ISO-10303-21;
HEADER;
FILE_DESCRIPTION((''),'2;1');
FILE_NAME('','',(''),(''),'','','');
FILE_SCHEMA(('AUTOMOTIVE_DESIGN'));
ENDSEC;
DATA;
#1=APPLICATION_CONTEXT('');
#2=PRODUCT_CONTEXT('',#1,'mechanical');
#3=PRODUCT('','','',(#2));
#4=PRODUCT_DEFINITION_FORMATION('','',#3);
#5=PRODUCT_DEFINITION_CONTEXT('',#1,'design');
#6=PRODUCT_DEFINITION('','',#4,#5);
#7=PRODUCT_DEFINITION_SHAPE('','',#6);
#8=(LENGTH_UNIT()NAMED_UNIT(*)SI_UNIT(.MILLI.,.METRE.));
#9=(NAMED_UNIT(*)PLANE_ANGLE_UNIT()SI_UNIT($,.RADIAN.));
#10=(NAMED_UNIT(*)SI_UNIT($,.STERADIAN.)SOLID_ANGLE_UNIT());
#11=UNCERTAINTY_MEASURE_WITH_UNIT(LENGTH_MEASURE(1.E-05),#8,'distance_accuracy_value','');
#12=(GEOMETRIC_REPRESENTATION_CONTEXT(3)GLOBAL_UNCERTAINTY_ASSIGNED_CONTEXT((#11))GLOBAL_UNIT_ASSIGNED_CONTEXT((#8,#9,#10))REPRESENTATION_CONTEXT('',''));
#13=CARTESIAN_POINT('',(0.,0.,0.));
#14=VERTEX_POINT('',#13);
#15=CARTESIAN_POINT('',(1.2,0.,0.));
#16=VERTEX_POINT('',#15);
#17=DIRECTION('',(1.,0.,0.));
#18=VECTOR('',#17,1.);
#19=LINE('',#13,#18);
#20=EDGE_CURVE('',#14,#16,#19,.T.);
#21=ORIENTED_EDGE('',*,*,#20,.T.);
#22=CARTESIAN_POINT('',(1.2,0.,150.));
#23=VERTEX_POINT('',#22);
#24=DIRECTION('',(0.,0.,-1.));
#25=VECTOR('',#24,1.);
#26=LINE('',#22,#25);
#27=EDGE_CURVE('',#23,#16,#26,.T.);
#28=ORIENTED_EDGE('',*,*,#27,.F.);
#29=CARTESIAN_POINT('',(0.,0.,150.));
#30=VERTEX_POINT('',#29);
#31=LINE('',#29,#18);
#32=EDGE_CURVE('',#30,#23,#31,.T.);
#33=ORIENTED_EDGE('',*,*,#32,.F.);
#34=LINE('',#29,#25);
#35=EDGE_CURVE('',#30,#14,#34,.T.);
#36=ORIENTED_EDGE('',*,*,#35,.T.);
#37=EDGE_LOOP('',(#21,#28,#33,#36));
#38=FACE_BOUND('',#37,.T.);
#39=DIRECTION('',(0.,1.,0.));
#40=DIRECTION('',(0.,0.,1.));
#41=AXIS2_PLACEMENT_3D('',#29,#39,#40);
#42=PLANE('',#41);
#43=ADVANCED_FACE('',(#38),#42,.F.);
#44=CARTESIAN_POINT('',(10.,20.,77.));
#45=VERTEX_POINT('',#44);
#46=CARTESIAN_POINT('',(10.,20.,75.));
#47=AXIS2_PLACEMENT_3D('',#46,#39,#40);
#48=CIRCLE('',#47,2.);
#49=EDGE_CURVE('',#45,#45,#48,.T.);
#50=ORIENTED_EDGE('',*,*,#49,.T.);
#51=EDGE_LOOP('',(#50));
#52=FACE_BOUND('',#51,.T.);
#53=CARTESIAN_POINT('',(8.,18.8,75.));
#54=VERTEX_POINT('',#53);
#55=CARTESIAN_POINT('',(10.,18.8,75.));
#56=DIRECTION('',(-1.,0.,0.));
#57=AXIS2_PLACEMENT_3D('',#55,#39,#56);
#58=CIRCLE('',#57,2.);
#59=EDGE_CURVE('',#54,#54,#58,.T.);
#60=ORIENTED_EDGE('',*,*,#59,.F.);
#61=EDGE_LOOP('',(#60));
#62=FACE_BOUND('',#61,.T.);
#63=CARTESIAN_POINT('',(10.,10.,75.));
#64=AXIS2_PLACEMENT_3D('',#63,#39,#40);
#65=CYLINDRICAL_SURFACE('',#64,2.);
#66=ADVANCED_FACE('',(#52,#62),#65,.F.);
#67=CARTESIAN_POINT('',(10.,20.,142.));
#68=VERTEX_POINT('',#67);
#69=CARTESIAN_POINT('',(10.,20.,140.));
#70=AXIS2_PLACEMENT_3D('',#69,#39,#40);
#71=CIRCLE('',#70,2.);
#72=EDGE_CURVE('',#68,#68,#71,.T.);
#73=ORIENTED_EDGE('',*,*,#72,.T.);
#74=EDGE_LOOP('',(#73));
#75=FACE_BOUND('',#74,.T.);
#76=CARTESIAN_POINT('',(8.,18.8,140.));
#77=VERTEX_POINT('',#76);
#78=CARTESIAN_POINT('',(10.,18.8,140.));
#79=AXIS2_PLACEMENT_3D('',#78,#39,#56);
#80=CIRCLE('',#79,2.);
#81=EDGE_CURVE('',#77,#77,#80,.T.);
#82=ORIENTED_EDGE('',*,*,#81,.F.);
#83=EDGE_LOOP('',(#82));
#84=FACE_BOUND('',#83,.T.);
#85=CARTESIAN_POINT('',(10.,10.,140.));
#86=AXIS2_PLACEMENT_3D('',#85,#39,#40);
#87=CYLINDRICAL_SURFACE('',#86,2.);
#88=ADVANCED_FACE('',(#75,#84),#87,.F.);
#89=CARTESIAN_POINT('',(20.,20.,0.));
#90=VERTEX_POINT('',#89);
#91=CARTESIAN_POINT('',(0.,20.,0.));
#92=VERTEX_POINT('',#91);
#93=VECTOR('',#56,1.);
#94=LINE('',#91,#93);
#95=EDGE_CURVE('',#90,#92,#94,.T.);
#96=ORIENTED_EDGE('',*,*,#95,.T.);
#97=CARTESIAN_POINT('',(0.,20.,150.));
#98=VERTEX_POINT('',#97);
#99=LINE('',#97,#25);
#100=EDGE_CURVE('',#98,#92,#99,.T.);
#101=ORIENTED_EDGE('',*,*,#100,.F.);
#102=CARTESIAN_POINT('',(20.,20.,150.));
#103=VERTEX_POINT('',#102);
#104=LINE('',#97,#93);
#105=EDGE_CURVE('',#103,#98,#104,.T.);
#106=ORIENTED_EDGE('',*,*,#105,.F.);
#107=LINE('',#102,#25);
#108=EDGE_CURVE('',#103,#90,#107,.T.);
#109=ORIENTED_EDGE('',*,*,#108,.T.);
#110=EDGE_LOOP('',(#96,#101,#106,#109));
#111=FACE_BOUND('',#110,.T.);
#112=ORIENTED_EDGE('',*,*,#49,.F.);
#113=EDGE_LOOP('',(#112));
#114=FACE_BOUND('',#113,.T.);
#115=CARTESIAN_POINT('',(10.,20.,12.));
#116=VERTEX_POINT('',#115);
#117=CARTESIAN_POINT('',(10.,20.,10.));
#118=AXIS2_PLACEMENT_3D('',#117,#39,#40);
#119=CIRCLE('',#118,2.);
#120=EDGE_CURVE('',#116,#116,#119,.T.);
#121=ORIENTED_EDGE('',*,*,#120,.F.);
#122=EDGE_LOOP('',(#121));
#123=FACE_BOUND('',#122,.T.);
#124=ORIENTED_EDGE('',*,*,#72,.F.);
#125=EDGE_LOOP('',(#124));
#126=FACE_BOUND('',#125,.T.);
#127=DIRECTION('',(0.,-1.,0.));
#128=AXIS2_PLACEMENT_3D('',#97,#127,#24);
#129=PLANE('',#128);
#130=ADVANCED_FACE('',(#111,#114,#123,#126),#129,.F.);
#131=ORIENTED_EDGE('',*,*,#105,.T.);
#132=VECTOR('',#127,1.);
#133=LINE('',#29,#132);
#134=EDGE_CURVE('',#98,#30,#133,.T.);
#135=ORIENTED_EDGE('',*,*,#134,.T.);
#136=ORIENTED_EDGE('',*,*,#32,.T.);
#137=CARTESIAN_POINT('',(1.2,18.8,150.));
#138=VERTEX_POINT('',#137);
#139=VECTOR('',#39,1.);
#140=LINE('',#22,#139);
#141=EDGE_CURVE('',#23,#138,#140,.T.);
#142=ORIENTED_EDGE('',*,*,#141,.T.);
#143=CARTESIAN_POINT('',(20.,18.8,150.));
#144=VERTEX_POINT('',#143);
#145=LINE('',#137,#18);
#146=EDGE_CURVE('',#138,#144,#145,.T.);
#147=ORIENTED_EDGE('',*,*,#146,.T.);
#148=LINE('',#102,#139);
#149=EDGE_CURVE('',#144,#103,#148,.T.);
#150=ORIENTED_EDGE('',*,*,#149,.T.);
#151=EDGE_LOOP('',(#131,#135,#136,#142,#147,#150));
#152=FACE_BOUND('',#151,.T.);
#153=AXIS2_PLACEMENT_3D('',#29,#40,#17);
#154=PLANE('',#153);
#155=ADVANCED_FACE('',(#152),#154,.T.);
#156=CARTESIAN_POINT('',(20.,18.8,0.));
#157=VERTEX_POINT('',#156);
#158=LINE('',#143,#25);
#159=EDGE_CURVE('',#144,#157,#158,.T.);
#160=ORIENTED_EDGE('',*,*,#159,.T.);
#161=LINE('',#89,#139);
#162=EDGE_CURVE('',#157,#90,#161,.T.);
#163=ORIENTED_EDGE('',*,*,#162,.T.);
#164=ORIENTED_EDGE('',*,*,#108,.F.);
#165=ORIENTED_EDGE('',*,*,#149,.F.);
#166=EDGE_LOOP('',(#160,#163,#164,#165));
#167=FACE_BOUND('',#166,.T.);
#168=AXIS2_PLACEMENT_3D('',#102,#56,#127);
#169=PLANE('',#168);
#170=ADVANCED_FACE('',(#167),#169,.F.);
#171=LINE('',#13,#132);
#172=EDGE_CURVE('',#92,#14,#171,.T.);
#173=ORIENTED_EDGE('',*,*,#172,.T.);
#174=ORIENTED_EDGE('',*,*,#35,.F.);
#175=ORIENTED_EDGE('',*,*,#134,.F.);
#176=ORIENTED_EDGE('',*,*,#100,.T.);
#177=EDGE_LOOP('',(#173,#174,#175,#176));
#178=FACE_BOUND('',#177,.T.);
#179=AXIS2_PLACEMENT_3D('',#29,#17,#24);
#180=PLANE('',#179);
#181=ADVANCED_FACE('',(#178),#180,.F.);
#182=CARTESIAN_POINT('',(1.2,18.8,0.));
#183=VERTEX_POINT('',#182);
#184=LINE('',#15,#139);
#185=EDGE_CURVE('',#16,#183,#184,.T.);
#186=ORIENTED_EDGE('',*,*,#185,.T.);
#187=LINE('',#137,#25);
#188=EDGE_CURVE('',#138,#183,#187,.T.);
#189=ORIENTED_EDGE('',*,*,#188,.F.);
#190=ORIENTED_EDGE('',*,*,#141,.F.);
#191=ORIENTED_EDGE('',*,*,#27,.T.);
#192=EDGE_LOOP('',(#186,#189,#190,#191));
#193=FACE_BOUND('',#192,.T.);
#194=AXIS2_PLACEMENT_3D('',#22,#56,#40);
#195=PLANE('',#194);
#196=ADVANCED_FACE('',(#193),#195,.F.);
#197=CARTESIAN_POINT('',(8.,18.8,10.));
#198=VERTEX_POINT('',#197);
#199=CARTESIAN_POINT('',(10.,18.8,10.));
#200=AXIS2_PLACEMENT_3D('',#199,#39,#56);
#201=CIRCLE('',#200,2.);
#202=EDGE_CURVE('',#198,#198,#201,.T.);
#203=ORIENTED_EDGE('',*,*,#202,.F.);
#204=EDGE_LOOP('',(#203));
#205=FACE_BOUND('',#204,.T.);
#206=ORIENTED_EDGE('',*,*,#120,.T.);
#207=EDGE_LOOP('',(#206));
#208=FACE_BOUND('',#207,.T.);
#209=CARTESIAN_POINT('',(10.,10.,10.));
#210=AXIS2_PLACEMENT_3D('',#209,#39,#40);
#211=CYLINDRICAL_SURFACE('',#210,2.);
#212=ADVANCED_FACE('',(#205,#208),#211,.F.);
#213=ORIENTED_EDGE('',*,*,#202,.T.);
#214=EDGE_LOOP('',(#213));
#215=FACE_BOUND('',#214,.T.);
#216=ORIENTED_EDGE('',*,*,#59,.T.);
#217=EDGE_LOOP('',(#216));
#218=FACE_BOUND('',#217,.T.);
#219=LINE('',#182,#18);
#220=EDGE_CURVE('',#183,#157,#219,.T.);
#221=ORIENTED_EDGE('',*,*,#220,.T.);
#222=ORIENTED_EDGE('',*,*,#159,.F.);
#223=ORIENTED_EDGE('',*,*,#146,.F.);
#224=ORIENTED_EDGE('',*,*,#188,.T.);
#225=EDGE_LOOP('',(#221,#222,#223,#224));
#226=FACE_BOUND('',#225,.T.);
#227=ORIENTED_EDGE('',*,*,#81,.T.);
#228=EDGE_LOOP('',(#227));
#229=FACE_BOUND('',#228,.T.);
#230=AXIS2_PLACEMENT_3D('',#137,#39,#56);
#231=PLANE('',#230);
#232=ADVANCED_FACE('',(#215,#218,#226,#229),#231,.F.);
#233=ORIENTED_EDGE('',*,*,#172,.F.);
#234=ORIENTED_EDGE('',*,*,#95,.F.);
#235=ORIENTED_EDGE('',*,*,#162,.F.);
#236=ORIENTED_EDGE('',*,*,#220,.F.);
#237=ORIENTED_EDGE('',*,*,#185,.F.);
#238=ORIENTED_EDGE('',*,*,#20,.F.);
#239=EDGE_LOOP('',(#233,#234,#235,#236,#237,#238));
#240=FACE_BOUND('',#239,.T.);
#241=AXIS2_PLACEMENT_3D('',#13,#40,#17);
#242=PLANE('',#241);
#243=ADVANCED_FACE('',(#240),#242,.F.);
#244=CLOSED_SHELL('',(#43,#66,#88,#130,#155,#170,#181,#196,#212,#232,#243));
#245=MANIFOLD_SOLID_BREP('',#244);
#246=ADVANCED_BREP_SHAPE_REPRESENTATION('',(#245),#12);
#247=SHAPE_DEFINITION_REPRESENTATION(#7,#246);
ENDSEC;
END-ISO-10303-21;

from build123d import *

# Parameters (mm, degrees)
BOSS_EXTRUDE1_DEPTH = 150
SKETCH2_R           = 2
CUT_EXTRUDE1_DEPTH  = 10


with BuildPart() as part:
    # Sketch1 → Boss-Extrude1 (new body)
    with BuildSketch(Plane.XY):
        Polygon((0, 0), (0, 20), (20, 20), (20, 18.8), (1.2, 18.8), (1.2, 0), align=None)
    extrude(amount=BOSS_EXTRUDE1_DEPTH)

    # Sketch2 → Cut-Extrude1 (cut)
    with BuildSketch(Plane(origin=(0, 20, 0), x_dir=(1, 0, 0), z_dir=(0, 1, 0))):
        with Locations(Location((10, -75, 0), (0, 0, 270))):
            Circle(SKETCH2_R)
        with Locations(Location((10, -10, 0), (0, 0, 270))):
            Circle(SKETCH2_R)
        with Locations(Location((10, -140, 0), (0, 0, 270))):
            Circle(SKETCH2_R)
    extrude(amount=-CUT_EXTRUDE1_DEPTH, mode=Mode.SUBTRACT)


solid = part.part
